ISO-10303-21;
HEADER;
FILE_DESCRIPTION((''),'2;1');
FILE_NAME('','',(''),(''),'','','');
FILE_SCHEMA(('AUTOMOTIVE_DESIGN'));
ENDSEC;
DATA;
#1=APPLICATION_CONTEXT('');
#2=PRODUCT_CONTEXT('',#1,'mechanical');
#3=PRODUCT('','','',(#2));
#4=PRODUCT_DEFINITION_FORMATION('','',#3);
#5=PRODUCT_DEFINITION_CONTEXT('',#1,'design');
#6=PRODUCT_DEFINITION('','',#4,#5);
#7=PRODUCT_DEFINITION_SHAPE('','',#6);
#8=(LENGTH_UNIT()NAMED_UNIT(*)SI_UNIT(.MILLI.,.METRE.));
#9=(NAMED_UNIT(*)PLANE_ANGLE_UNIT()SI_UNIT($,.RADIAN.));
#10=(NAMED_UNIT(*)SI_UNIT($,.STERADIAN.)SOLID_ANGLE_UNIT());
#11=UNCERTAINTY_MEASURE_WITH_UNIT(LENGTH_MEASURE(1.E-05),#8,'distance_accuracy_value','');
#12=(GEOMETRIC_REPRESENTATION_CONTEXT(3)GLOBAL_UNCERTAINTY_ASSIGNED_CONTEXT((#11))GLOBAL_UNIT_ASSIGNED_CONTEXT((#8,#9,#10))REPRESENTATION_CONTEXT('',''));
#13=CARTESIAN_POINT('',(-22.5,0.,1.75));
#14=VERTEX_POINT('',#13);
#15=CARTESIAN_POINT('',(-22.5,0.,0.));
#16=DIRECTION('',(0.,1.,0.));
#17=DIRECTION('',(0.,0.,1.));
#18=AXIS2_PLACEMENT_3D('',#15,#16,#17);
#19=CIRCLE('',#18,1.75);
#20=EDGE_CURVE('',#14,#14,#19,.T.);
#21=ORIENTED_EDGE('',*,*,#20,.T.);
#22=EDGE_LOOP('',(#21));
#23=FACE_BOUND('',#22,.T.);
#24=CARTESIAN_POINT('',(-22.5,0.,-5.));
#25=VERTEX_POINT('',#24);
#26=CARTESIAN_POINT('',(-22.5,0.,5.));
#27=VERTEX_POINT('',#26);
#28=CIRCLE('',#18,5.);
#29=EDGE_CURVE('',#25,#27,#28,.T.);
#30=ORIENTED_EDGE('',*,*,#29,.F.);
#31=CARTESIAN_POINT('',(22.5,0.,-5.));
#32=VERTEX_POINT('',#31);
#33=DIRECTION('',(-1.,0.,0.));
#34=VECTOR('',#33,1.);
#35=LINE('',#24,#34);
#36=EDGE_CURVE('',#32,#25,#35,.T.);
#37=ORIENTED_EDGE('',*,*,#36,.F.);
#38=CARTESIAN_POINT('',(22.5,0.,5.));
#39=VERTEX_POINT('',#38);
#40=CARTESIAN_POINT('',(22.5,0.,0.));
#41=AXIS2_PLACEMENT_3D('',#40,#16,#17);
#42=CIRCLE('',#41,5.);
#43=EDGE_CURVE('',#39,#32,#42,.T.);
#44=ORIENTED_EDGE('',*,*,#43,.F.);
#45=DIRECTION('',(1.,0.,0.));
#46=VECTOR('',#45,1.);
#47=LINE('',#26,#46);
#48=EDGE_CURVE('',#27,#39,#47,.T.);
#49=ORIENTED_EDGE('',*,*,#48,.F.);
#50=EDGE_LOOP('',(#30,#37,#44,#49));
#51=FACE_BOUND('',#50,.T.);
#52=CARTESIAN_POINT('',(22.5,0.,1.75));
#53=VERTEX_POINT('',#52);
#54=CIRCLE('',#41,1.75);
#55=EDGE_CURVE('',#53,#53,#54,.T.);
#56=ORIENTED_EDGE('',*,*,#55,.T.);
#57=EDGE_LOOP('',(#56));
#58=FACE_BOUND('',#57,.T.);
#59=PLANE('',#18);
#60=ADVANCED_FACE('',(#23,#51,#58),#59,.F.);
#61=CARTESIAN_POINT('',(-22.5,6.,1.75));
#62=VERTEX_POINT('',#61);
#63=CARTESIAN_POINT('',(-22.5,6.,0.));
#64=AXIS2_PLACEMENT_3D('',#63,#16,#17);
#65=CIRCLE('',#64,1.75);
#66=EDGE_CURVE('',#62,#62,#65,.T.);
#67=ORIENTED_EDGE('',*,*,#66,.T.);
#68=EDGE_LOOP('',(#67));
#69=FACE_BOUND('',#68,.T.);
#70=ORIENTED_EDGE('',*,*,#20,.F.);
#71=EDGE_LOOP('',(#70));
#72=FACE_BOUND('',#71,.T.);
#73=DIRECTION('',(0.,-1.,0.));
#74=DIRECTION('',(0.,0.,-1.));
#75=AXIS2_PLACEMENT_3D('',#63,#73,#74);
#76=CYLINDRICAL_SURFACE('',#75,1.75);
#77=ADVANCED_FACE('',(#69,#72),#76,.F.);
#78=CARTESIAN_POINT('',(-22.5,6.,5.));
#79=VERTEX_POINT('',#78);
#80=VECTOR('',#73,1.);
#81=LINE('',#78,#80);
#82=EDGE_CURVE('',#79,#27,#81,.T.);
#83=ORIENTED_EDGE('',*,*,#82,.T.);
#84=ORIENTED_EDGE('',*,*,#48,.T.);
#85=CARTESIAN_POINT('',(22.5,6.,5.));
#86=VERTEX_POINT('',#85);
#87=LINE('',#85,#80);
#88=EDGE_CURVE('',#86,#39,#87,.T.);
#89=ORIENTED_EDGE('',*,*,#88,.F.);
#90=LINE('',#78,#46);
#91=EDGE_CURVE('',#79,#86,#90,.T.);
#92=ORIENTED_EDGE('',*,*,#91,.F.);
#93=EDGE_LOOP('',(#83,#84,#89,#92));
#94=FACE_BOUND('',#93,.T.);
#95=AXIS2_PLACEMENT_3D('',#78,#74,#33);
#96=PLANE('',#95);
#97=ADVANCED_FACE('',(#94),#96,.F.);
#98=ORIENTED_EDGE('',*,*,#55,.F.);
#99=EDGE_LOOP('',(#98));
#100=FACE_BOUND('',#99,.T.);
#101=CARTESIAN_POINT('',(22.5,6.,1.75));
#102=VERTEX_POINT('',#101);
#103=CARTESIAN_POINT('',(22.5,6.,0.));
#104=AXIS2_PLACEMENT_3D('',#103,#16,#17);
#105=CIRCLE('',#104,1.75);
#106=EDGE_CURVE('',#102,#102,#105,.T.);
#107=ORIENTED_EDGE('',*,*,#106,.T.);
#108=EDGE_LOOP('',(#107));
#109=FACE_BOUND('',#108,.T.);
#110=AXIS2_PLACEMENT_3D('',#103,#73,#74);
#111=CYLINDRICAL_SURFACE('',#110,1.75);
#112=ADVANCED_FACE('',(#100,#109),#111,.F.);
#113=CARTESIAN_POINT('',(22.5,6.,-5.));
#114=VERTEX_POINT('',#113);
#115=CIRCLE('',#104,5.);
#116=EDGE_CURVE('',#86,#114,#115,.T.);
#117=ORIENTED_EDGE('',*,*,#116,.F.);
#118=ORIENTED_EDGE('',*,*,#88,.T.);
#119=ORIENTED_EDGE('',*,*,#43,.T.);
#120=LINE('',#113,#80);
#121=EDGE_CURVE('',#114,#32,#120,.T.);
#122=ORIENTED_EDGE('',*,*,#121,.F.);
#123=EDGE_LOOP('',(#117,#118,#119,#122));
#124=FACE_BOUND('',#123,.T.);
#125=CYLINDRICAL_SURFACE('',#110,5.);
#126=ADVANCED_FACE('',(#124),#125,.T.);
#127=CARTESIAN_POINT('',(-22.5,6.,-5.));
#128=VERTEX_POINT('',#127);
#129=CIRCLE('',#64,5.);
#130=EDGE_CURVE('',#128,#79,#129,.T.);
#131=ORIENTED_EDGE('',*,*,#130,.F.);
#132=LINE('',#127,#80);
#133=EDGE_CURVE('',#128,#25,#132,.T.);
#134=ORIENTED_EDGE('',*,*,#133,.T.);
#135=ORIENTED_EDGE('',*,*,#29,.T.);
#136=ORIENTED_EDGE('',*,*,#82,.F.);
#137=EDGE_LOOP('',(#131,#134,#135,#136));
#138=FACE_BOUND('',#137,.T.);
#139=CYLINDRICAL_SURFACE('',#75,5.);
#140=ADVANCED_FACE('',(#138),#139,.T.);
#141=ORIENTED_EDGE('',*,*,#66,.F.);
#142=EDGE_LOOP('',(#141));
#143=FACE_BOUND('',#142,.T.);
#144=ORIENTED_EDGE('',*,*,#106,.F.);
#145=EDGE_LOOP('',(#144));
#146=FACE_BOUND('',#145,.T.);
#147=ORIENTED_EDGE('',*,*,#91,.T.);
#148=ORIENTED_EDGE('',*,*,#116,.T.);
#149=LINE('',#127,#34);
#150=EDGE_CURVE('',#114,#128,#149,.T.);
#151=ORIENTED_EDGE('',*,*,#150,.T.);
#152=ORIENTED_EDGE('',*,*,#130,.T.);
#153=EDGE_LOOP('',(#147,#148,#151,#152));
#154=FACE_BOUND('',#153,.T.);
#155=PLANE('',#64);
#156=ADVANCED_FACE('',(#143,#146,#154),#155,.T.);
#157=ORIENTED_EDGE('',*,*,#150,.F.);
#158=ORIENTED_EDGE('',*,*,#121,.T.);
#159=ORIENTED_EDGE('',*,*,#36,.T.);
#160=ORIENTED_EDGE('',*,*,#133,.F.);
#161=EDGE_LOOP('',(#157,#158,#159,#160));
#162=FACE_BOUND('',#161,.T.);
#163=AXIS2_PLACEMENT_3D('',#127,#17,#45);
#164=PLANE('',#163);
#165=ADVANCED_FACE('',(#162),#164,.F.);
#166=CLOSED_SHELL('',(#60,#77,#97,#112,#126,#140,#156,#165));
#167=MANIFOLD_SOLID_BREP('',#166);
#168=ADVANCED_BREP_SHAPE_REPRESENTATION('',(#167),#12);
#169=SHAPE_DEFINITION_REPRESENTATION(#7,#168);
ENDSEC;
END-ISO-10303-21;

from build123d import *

# Parameters (mm, degrees)
SKETCH1_R           = 1.75
BOSS_EXTRUDE1_DEPTH = 6


with BuildPart() as part:
    # Sketch1 → Boss-Extrude1 (new body)
    with BuildSketch(Plane(origin=(0, 0, 0), x_dir=(1, 0, 0), z_dir=(0, 1, 0))):
        with BuildLine():
            Line((-22.5, 5), (22.5, 5))
            ThreePointArc((22.5, 5), (27.5, 0), (22.5, -5))
            Line((22.5, -5), (-22.5, -5))
            ThreePointArc((-22.5, -5), (-27.5, 0), (-22.5, 5))
        make_face()
        with Locations(Location((-22.5, 0, 0), (0, 0, 270))):
            Circle(SKETCH1_R, mode=Mode.SUBTRACT)
        with Locations(Location((22.5, 0, 0), (0, 0, 270))):
            Circle(SKETCH1_R, mode=Mode.SUBTRACT)
    extrude(amount=BOSS_EXTRUDE1_DEPTH)


solid = part.part
